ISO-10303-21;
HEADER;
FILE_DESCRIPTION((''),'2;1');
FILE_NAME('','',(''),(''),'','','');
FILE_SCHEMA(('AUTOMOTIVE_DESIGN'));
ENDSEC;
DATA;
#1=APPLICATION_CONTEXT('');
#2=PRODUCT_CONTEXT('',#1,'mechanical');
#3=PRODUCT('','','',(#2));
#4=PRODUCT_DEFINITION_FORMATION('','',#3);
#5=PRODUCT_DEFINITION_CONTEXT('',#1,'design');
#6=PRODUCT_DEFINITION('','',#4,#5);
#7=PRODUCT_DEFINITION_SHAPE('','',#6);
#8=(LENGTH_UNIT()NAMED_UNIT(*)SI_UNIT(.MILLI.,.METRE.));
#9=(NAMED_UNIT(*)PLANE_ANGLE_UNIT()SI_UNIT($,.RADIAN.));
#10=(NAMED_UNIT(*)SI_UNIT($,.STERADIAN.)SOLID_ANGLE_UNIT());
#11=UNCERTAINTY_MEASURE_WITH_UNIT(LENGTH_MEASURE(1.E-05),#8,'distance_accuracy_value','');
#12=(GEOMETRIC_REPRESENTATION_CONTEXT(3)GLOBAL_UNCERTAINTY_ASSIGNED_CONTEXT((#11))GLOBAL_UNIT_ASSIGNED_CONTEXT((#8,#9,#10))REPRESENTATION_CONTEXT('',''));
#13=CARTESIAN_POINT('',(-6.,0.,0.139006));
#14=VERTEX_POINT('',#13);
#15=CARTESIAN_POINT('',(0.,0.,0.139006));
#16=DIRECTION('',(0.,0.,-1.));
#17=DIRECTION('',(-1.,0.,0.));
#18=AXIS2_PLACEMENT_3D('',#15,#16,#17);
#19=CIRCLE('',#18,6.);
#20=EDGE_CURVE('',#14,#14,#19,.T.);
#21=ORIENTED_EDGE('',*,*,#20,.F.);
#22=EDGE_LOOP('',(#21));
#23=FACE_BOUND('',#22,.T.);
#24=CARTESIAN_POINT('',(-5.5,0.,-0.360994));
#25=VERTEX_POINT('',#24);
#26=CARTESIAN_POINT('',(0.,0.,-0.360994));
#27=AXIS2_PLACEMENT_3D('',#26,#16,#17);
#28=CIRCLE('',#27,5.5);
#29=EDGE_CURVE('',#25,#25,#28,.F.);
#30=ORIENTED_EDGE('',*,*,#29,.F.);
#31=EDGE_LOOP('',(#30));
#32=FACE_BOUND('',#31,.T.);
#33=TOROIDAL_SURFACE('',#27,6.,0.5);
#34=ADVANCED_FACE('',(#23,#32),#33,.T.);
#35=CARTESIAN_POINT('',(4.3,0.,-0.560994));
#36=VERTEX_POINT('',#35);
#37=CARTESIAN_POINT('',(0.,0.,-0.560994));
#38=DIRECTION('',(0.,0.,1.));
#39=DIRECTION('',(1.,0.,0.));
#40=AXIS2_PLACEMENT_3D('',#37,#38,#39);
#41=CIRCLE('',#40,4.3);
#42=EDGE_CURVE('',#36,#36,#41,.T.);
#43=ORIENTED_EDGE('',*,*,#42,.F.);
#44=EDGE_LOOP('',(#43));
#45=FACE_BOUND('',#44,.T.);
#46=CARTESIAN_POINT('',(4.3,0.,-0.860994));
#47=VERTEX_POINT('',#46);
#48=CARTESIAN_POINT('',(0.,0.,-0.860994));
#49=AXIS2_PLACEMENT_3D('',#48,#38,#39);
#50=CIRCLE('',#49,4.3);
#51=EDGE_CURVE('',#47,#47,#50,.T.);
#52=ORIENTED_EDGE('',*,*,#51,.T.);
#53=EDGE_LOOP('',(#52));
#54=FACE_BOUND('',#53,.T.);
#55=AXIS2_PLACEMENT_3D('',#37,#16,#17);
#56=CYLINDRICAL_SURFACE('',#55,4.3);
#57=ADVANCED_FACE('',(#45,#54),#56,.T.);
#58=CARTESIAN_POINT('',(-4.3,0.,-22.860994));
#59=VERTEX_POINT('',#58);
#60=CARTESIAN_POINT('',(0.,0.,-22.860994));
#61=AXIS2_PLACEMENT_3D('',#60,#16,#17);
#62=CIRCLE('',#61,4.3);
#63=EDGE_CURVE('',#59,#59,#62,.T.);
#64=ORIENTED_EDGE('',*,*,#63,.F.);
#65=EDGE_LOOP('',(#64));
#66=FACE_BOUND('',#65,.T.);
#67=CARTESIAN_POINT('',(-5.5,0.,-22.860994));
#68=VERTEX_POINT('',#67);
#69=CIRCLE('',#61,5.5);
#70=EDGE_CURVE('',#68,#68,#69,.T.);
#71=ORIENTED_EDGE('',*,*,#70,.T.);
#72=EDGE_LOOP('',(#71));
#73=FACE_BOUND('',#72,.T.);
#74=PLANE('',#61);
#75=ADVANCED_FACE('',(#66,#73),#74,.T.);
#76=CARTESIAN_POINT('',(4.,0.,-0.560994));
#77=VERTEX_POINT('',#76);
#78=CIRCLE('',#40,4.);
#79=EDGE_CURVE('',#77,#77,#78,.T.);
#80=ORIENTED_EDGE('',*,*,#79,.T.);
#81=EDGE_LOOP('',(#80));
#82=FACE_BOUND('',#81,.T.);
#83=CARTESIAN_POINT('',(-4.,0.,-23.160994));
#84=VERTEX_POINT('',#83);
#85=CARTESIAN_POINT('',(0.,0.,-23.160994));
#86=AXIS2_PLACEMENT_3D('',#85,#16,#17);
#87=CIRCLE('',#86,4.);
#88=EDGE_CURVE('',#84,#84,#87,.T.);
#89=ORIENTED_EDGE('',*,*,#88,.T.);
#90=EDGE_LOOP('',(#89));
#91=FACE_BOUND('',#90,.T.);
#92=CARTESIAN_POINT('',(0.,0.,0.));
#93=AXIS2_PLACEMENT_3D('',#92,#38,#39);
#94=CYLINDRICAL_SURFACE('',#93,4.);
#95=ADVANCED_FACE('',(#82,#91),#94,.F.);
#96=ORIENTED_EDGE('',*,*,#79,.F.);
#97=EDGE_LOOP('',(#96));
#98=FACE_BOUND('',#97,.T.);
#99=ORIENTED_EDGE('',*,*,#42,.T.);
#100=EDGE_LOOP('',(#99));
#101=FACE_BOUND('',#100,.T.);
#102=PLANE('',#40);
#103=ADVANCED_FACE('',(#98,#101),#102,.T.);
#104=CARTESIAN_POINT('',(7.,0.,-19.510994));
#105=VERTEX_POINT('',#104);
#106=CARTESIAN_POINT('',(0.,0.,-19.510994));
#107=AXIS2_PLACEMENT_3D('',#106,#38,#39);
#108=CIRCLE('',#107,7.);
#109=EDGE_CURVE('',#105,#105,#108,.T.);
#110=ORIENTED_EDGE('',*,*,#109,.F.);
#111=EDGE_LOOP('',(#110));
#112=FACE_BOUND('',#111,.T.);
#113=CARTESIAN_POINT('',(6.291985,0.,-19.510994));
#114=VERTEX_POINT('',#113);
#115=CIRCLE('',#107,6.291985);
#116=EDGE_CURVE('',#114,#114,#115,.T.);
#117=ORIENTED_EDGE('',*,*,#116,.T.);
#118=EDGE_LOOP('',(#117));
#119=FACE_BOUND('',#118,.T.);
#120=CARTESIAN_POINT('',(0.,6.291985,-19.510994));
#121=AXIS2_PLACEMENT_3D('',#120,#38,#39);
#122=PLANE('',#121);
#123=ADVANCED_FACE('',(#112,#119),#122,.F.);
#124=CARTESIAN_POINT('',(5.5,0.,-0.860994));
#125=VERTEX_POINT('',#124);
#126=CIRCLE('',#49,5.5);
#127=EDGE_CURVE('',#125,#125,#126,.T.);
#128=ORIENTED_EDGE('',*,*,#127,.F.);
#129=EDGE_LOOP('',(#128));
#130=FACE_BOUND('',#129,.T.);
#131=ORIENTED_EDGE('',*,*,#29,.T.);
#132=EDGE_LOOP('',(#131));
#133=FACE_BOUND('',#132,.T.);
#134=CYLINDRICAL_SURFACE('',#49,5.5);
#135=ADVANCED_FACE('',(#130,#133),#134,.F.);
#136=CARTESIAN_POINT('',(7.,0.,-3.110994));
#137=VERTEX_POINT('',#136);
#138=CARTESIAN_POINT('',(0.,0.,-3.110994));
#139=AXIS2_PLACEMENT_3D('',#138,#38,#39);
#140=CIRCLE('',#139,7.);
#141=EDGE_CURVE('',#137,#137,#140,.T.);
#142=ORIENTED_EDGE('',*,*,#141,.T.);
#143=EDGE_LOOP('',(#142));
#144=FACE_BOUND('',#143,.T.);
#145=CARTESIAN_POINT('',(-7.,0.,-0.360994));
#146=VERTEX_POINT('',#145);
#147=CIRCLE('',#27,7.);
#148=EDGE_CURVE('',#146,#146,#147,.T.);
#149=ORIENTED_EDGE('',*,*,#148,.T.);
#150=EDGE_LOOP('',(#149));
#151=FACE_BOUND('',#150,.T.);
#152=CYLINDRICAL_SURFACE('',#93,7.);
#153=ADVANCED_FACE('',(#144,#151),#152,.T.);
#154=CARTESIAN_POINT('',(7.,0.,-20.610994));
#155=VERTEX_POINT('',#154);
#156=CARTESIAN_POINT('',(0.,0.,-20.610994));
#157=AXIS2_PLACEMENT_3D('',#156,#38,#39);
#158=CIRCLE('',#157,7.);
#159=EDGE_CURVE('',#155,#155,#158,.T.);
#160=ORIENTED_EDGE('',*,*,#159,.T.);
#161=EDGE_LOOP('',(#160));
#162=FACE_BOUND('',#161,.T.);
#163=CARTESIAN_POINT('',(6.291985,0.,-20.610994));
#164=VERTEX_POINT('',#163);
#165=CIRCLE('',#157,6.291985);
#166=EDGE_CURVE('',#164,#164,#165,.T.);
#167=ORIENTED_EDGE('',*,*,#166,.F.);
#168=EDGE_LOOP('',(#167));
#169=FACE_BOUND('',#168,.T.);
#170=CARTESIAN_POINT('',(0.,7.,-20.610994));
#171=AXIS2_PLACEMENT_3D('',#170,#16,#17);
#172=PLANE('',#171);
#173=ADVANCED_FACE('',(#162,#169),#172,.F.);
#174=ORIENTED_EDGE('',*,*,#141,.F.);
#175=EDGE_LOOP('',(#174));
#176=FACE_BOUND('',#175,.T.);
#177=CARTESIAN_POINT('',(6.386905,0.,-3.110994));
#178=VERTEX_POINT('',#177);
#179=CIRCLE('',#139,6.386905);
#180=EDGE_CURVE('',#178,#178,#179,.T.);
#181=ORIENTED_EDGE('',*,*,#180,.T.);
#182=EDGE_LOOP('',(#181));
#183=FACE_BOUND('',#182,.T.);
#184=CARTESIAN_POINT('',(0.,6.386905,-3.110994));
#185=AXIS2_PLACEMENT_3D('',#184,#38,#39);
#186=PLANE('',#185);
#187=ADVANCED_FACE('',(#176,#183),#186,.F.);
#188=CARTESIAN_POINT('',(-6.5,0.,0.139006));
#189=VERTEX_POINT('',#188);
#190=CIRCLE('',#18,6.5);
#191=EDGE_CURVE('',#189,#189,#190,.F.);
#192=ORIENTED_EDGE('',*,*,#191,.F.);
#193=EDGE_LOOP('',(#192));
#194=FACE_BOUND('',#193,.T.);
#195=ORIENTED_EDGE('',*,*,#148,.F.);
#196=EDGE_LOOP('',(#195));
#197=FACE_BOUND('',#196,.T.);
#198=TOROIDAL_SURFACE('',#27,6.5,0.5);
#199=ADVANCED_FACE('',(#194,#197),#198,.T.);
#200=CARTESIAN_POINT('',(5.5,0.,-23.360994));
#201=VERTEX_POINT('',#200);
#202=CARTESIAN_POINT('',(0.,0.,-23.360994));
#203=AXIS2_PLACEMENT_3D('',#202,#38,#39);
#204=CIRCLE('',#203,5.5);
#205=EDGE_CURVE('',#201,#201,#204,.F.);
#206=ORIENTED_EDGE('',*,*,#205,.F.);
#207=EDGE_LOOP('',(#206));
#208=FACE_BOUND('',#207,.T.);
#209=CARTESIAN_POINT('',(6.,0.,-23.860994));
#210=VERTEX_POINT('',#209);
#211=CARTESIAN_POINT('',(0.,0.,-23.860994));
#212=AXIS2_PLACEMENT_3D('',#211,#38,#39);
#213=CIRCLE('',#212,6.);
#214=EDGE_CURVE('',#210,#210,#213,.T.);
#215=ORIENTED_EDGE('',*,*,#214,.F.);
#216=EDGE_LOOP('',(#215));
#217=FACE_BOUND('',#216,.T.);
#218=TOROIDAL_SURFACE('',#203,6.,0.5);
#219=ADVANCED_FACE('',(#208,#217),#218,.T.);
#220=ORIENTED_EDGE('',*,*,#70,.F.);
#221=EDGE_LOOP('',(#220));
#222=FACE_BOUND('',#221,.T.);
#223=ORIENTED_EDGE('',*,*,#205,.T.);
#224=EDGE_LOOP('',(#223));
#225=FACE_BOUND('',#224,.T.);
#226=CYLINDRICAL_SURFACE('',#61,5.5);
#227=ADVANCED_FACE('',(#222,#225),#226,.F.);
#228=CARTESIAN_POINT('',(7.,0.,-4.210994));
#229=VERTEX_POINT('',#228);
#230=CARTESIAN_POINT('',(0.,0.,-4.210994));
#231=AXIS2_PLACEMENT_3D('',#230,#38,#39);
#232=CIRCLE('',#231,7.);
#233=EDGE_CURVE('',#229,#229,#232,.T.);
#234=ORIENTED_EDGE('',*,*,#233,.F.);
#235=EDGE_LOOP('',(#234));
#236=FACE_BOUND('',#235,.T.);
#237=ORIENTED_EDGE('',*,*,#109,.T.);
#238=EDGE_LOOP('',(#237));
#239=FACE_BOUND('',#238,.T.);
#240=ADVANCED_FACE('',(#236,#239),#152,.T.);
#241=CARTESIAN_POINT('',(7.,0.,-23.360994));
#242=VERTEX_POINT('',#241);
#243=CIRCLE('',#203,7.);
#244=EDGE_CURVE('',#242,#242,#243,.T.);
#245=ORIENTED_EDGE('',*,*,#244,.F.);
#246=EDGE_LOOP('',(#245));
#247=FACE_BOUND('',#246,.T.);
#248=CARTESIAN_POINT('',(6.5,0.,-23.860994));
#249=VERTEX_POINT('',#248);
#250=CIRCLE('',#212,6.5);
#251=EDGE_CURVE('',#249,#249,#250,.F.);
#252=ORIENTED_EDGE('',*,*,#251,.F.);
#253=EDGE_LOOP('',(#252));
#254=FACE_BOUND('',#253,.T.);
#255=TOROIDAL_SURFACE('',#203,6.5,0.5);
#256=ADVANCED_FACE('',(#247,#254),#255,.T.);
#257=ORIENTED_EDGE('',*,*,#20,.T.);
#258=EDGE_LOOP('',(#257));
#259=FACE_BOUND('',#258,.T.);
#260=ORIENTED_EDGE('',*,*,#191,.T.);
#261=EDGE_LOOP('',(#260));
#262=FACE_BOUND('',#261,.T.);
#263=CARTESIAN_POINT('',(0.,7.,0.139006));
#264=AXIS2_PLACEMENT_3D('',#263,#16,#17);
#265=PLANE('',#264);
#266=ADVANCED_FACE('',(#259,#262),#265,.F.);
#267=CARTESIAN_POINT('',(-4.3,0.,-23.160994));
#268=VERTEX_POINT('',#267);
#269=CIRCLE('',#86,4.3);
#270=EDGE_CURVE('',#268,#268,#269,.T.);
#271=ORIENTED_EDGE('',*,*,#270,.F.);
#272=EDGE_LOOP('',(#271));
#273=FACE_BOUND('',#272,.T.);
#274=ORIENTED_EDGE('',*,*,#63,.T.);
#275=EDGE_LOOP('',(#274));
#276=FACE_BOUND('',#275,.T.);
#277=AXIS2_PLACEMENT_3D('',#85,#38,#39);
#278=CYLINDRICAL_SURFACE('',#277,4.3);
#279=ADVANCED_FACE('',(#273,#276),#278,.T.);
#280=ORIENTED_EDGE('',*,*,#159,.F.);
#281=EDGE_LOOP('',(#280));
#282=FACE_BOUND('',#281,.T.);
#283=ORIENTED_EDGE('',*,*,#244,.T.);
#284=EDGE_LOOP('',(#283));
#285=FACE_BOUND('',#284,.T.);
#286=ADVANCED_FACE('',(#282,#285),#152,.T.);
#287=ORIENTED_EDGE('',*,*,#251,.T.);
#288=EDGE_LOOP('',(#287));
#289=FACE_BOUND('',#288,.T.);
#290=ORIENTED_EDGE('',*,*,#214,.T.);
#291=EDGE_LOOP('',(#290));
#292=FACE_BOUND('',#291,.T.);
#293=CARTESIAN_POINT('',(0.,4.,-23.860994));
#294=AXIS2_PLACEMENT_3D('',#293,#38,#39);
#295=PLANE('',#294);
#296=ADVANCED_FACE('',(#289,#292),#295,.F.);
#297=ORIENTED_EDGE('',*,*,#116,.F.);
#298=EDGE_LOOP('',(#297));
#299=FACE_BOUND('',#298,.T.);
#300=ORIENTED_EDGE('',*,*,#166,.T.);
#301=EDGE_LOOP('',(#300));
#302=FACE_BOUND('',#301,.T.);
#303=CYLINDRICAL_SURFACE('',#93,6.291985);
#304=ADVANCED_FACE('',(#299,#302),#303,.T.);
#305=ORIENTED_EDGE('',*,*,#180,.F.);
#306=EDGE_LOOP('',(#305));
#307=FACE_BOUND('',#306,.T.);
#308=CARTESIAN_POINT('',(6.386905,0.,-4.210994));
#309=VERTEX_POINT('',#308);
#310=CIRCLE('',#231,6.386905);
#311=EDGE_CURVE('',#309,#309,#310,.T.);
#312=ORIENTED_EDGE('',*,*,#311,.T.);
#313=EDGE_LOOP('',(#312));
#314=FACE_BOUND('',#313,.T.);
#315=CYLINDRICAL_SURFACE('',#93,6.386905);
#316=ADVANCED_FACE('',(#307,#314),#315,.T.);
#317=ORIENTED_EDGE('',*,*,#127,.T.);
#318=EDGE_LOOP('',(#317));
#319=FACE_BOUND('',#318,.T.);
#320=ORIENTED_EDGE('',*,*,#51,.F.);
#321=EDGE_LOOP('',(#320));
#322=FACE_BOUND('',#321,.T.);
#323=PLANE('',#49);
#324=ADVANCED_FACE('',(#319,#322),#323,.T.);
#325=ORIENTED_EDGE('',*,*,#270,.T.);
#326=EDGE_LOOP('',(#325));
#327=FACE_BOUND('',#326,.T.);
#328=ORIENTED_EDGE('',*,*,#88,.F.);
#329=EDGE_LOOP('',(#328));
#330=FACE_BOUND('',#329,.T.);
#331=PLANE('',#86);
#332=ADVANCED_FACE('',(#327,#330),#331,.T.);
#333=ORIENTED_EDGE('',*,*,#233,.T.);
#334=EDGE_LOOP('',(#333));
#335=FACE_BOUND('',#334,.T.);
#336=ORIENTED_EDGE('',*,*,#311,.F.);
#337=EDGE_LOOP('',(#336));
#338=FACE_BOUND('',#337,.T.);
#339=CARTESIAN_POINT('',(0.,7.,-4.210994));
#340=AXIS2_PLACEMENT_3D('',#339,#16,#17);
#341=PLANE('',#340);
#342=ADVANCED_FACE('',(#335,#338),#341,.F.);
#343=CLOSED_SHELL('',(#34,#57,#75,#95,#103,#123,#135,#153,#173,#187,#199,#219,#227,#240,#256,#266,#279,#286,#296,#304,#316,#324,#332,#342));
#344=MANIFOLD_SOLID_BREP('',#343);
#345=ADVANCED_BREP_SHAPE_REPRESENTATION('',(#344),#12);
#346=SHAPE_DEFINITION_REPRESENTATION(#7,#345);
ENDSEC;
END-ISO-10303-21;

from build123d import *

# Parameters (mm, degrees)
FILLET1_R           = 0.5
SKETCH5_R           = 5.5
CUT_EXTRUDE1_DEPTH  = 1
FILLET2_R           = 0.5
CUT_EXTRUDE2_START  = -1
SKETCH6_R           = 5.5
CUT_EXTRUDE2_DEPTH  = 1
FILLET3_R           = 0.5
SKETCH8_R           = 4.3
SKETCH8_R_2         = 4
BOSS_EXTRUDE4_DEPTH = 0.3
BOSS_EXTRUDE5_START = 0.3
SKETCH9_R           = 4.3
SKETCH9_R_2         = 4
BOSS_EXTRUDE5_DEPTH = 0.3


with BuildPart() as part:
    # Sketch4 → Revolve1 (revolve)
    with BuildSketch(Plane(origin=(0, 0, 0), x_dir=(0, 0, -1), z_dir=(1, 0, 0)), mode=Mode.PRIVATE) as revolve1_sk:
        Polygon((-0.139006256, 4), (23.860993744, 4), (23.860993744, 7), (20.610993744, 7), (20.610993744, 6.291984931), (19.510993744, 6.291984931), (19.510993744, 7), (4.210993744, 7), (4.210993744, 6.386905477), (3.110993744, 6.386905477), (3.110993744, 7), (-0.139006256, 7), align=None)
    revolve(revolve1_sk.sketch.rotate(Axis((0, 0, 0), (0, 0, -1)), 90), axis=Axis((0, 0, 0), (0, 0, -1)))

    # Fillet1
    fillet1_edges = [part.edges().sort_by_distance(p)[0] for p in [
        (-7, 0, -23.860993744),
        (-7, 0, 0.139006256),
    ]]
    fillet(fillet1_edges, radius=FILLET1_R)

    # Sketch5 → Cut-Extrude1 (cut)
    with BuildSketch(Plane.XY.offset(0.139006256)):
        Circle(SKETCH5_R)
    extrude(amount=-CUT_EXTRUDE1_DEPTH, mode=Mode.SUBTRACT)

    # Fillet2
    fillet2_edges = [part.edges().sort_by_distance(p)[0] for p in [
        (-5.5, 0, 0.139006256),
    ]]
    fillet(fillet2_edges, radius=FILLET2_R)

    # Sketch6 → Cut-Extrude2 (cut)
    with BuildSketch(Plane(origin=(0, 0, -23.860993744), x_dir=(-1, 0, 0), z_dir=(0, 0, -1)).offset(CUT_EXTRUDE2_START)):
        with Locations(Location((0, 0, 0), (0, 0, 180))):
            Circle(SKETCH6_R)
    extrude(amount=CUT_EXTRUDE2_DEPTH, mode=Mode.SUBTRACT)

    # Fillet3
    fillet3_edges = [part.edges().sort_by_distance(p)[0] for p in [
        (-5.5, 0, -23.860993744),
    ]]
    fillet(fillet3_edges, radius=FILLET3_R)

    # Sketch8 → Boss-Extrude4 (add)
    with BuildSketch(Plane.XY.offset(-0.860993744)):
        Circle(SKETCH8_R)
        Circle(SKETCH8_R_2, mode=Mode.SUBTRACT)
    extrude(amount=BOSS_EXTRUDE4_DEPTH)

    # Sketch9 → Boss-Extrude5 (add)
    with BuildSketch(Plane(origin=(0, 0, -22.860993744), x_dir=(-1, 0, 0), z_dir=(0, 0, -1)).offset(BOSS_EXTRUDE5_START)):
        with Locations(Location((0, 0, 0), (0, 0, 180))):
            Circle(SKETCH9_R)
        with Locations(Location((0, 0, 0), (0, 0, 180))):
            Circle(SKETCH9_R_2, mode=Mode.SUBTRACT)
    extrude(amount=-BOSS_EXTRUDE5_DEPTH)


solid = part.part
